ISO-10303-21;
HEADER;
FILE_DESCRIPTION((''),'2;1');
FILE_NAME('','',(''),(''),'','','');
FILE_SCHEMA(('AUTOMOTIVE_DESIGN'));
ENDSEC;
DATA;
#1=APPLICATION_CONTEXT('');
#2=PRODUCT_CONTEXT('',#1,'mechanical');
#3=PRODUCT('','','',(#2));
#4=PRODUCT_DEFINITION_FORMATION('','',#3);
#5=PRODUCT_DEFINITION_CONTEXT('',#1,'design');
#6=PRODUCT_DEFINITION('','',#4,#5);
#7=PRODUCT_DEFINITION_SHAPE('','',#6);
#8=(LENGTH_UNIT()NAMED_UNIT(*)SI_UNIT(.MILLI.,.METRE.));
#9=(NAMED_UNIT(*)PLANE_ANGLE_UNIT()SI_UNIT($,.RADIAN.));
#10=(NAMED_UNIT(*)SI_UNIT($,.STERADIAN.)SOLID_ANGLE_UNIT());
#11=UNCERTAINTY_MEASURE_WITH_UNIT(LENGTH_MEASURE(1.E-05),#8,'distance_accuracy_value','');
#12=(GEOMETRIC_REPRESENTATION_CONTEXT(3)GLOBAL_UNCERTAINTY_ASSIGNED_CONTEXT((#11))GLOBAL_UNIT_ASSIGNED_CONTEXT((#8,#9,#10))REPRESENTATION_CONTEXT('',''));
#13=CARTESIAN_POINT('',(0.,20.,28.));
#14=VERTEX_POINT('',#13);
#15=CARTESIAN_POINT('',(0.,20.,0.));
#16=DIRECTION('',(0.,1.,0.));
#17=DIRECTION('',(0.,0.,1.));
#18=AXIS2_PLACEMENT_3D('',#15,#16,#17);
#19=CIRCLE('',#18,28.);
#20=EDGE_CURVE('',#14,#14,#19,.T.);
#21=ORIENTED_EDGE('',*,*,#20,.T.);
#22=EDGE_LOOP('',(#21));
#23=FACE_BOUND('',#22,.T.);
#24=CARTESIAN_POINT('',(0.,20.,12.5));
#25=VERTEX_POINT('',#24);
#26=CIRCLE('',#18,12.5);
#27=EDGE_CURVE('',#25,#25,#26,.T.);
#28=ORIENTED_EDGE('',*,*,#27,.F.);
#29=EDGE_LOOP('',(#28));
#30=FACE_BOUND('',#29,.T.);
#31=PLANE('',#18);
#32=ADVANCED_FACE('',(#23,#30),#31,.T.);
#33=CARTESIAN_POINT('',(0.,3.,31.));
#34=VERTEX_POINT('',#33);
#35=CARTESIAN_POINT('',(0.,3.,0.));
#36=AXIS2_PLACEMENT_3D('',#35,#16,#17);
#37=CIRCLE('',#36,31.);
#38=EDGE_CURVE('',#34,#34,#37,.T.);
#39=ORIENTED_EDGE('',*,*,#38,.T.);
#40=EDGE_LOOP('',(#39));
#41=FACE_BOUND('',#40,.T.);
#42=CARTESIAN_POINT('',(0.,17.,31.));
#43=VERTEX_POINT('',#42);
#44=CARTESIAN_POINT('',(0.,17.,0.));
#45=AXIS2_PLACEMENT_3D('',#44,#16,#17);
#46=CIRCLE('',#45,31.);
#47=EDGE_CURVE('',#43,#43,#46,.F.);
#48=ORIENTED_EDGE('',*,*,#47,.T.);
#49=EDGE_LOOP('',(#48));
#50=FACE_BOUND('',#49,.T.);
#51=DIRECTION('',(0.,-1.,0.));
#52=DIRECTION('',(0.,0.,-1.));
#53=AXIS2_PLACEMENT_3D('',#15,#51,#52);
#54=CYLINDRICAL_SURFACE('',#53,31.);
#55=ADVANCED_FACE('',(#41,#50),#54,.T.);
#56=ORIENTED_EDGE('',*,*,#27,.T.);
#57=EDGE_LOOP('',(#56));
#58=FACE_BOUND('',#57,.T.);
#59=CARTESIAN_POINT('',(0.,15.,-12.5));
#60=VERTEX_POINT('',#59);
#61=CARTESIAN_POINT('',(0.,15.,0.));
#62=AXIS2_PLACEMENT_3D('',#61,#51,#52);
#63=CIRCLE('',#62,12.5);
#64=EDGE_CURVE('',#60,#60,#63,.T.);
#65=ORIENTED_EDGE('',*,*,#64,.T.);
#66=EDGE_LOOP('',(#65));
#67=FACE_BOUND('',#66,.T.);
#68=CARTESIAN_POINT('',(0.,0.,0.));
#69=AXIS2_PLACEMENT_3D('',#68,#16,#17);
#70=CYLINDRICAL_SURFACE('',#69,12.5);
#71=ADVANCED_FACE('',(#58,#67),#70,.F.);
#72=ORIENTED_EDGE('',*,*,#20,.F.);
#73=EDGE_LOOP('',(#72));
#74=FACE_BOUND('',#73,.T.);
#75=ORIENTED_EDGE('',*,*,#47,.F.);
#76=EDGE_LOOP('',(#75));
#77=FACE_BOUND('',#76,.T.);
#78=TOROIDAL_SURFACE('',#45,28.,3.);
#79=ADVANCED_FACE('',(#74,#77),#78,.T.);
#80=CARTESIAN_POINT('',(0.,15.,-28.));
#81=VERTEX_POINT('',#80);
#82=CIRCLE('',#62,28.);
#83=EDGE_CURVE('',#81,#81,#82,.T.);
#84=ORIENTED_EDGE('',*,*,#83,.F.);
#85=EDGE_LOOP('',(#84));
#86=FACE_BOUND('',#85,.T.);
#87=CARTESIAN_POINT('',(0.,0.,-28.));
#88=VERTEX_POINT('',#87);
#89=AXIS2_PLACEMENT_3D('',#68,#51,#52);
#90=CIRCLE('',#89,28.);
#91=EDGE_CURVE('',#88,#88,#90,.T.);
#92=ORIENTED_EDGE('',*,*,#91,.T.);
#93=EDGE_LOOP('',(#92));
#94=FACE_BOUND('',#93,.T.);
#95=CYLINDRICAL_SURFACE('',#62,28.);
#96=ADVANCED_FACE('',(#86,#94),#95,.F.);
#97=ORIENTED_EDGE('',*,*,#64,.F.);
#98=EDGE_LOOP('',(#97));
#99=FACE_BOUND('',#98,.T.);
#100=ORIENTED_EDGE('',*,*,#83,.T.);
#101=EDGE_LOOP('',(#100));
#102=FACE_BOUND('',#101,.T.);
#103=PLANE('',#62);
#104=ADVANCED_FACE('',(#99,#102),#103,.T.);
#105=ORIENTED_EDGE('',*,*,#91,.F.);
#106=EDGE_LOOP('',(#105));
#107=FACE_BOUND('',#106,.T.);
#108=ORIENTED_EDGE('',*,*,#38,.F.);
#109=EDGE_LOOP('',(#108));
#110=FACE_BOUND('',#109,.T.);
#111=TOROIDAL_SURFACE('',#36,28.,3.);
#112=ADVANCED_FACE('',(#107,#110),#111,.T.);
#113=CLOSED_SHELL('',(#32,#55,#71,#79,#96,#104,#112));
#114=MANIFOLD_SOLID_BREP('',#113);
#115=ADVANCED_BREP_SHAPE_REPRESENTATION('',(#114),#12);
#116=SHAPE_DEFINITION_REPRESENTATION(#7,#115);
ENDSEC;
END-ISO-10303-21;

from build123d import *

# Parameters (mm, degrees)
SKETCH1_R               = 31
BOSS_EXTRUDE1_DEPTH     = 20
FILLET1_R               = 3
SKETCH2_R               = 28
CUT_EXTRUDE1_DEPTH      = 15
CUT_EXTRUDE2_DEPTH      = 49.187135341
CUT_EXTRUDE2_DEPTH_BACK = 49.187135341
SKETCH3_R               = 12.5


with BuildPart() as part:
    # Sketch1 → Boss-Extrude1 (new body)
    with BuildSketch(Plane(origin=(0, 0, 0), x_dir=(1, 0, 0), z_dir=(0, 1, 0))):
        with Locations(Location((0, 0, 0), (0, 0, 270))):
            Circle(SKETCH1_R)
    extrude(amount=BOSS_EXTRUDE1_DEPTH)

    # Fillet1
    fillet1_edges = [part.edges().sort_by_distance(p)[0] for p in [
        (0, 0, -31),
        (0, 20, -31),
    ]]
    fillet(fillet1_edges, radius=FILLET1_R)

    # Sketch2 → Cut-Extrude1 (cut)
    with BuildSketch(Plane.XZ):
        with Locations(Location((0, 0, 0), (0, 0, 270))):
            Circle(SKETCH2_R)
    extrude(amount=-CUT_EXTRUDE1_DEPTH, mode=Mode.SUBTRACT)

    # Sketch3 → Cut-Extrude2 (cut, two sides: drawn at the far end of the back side and taken through both)
    with BuildSketch(Plane(origin=(0, 20, 0), x_dir=(1, 0, 0), z_dir=(0, 1, 0)).offset(-CUT_EXTRUDE2_DEPTH_BACK)):
        with Locations(Location((0, 0, 0), (0, 0, 270))):
            Circle(SKETCH3_R)
    extrude(amount=CUT_EXTRUDE2_DEPTH + CUT_EXTRUDE2_DEPTH_BACK, mode=Mode.SUBTRACT)


solid = part.part
